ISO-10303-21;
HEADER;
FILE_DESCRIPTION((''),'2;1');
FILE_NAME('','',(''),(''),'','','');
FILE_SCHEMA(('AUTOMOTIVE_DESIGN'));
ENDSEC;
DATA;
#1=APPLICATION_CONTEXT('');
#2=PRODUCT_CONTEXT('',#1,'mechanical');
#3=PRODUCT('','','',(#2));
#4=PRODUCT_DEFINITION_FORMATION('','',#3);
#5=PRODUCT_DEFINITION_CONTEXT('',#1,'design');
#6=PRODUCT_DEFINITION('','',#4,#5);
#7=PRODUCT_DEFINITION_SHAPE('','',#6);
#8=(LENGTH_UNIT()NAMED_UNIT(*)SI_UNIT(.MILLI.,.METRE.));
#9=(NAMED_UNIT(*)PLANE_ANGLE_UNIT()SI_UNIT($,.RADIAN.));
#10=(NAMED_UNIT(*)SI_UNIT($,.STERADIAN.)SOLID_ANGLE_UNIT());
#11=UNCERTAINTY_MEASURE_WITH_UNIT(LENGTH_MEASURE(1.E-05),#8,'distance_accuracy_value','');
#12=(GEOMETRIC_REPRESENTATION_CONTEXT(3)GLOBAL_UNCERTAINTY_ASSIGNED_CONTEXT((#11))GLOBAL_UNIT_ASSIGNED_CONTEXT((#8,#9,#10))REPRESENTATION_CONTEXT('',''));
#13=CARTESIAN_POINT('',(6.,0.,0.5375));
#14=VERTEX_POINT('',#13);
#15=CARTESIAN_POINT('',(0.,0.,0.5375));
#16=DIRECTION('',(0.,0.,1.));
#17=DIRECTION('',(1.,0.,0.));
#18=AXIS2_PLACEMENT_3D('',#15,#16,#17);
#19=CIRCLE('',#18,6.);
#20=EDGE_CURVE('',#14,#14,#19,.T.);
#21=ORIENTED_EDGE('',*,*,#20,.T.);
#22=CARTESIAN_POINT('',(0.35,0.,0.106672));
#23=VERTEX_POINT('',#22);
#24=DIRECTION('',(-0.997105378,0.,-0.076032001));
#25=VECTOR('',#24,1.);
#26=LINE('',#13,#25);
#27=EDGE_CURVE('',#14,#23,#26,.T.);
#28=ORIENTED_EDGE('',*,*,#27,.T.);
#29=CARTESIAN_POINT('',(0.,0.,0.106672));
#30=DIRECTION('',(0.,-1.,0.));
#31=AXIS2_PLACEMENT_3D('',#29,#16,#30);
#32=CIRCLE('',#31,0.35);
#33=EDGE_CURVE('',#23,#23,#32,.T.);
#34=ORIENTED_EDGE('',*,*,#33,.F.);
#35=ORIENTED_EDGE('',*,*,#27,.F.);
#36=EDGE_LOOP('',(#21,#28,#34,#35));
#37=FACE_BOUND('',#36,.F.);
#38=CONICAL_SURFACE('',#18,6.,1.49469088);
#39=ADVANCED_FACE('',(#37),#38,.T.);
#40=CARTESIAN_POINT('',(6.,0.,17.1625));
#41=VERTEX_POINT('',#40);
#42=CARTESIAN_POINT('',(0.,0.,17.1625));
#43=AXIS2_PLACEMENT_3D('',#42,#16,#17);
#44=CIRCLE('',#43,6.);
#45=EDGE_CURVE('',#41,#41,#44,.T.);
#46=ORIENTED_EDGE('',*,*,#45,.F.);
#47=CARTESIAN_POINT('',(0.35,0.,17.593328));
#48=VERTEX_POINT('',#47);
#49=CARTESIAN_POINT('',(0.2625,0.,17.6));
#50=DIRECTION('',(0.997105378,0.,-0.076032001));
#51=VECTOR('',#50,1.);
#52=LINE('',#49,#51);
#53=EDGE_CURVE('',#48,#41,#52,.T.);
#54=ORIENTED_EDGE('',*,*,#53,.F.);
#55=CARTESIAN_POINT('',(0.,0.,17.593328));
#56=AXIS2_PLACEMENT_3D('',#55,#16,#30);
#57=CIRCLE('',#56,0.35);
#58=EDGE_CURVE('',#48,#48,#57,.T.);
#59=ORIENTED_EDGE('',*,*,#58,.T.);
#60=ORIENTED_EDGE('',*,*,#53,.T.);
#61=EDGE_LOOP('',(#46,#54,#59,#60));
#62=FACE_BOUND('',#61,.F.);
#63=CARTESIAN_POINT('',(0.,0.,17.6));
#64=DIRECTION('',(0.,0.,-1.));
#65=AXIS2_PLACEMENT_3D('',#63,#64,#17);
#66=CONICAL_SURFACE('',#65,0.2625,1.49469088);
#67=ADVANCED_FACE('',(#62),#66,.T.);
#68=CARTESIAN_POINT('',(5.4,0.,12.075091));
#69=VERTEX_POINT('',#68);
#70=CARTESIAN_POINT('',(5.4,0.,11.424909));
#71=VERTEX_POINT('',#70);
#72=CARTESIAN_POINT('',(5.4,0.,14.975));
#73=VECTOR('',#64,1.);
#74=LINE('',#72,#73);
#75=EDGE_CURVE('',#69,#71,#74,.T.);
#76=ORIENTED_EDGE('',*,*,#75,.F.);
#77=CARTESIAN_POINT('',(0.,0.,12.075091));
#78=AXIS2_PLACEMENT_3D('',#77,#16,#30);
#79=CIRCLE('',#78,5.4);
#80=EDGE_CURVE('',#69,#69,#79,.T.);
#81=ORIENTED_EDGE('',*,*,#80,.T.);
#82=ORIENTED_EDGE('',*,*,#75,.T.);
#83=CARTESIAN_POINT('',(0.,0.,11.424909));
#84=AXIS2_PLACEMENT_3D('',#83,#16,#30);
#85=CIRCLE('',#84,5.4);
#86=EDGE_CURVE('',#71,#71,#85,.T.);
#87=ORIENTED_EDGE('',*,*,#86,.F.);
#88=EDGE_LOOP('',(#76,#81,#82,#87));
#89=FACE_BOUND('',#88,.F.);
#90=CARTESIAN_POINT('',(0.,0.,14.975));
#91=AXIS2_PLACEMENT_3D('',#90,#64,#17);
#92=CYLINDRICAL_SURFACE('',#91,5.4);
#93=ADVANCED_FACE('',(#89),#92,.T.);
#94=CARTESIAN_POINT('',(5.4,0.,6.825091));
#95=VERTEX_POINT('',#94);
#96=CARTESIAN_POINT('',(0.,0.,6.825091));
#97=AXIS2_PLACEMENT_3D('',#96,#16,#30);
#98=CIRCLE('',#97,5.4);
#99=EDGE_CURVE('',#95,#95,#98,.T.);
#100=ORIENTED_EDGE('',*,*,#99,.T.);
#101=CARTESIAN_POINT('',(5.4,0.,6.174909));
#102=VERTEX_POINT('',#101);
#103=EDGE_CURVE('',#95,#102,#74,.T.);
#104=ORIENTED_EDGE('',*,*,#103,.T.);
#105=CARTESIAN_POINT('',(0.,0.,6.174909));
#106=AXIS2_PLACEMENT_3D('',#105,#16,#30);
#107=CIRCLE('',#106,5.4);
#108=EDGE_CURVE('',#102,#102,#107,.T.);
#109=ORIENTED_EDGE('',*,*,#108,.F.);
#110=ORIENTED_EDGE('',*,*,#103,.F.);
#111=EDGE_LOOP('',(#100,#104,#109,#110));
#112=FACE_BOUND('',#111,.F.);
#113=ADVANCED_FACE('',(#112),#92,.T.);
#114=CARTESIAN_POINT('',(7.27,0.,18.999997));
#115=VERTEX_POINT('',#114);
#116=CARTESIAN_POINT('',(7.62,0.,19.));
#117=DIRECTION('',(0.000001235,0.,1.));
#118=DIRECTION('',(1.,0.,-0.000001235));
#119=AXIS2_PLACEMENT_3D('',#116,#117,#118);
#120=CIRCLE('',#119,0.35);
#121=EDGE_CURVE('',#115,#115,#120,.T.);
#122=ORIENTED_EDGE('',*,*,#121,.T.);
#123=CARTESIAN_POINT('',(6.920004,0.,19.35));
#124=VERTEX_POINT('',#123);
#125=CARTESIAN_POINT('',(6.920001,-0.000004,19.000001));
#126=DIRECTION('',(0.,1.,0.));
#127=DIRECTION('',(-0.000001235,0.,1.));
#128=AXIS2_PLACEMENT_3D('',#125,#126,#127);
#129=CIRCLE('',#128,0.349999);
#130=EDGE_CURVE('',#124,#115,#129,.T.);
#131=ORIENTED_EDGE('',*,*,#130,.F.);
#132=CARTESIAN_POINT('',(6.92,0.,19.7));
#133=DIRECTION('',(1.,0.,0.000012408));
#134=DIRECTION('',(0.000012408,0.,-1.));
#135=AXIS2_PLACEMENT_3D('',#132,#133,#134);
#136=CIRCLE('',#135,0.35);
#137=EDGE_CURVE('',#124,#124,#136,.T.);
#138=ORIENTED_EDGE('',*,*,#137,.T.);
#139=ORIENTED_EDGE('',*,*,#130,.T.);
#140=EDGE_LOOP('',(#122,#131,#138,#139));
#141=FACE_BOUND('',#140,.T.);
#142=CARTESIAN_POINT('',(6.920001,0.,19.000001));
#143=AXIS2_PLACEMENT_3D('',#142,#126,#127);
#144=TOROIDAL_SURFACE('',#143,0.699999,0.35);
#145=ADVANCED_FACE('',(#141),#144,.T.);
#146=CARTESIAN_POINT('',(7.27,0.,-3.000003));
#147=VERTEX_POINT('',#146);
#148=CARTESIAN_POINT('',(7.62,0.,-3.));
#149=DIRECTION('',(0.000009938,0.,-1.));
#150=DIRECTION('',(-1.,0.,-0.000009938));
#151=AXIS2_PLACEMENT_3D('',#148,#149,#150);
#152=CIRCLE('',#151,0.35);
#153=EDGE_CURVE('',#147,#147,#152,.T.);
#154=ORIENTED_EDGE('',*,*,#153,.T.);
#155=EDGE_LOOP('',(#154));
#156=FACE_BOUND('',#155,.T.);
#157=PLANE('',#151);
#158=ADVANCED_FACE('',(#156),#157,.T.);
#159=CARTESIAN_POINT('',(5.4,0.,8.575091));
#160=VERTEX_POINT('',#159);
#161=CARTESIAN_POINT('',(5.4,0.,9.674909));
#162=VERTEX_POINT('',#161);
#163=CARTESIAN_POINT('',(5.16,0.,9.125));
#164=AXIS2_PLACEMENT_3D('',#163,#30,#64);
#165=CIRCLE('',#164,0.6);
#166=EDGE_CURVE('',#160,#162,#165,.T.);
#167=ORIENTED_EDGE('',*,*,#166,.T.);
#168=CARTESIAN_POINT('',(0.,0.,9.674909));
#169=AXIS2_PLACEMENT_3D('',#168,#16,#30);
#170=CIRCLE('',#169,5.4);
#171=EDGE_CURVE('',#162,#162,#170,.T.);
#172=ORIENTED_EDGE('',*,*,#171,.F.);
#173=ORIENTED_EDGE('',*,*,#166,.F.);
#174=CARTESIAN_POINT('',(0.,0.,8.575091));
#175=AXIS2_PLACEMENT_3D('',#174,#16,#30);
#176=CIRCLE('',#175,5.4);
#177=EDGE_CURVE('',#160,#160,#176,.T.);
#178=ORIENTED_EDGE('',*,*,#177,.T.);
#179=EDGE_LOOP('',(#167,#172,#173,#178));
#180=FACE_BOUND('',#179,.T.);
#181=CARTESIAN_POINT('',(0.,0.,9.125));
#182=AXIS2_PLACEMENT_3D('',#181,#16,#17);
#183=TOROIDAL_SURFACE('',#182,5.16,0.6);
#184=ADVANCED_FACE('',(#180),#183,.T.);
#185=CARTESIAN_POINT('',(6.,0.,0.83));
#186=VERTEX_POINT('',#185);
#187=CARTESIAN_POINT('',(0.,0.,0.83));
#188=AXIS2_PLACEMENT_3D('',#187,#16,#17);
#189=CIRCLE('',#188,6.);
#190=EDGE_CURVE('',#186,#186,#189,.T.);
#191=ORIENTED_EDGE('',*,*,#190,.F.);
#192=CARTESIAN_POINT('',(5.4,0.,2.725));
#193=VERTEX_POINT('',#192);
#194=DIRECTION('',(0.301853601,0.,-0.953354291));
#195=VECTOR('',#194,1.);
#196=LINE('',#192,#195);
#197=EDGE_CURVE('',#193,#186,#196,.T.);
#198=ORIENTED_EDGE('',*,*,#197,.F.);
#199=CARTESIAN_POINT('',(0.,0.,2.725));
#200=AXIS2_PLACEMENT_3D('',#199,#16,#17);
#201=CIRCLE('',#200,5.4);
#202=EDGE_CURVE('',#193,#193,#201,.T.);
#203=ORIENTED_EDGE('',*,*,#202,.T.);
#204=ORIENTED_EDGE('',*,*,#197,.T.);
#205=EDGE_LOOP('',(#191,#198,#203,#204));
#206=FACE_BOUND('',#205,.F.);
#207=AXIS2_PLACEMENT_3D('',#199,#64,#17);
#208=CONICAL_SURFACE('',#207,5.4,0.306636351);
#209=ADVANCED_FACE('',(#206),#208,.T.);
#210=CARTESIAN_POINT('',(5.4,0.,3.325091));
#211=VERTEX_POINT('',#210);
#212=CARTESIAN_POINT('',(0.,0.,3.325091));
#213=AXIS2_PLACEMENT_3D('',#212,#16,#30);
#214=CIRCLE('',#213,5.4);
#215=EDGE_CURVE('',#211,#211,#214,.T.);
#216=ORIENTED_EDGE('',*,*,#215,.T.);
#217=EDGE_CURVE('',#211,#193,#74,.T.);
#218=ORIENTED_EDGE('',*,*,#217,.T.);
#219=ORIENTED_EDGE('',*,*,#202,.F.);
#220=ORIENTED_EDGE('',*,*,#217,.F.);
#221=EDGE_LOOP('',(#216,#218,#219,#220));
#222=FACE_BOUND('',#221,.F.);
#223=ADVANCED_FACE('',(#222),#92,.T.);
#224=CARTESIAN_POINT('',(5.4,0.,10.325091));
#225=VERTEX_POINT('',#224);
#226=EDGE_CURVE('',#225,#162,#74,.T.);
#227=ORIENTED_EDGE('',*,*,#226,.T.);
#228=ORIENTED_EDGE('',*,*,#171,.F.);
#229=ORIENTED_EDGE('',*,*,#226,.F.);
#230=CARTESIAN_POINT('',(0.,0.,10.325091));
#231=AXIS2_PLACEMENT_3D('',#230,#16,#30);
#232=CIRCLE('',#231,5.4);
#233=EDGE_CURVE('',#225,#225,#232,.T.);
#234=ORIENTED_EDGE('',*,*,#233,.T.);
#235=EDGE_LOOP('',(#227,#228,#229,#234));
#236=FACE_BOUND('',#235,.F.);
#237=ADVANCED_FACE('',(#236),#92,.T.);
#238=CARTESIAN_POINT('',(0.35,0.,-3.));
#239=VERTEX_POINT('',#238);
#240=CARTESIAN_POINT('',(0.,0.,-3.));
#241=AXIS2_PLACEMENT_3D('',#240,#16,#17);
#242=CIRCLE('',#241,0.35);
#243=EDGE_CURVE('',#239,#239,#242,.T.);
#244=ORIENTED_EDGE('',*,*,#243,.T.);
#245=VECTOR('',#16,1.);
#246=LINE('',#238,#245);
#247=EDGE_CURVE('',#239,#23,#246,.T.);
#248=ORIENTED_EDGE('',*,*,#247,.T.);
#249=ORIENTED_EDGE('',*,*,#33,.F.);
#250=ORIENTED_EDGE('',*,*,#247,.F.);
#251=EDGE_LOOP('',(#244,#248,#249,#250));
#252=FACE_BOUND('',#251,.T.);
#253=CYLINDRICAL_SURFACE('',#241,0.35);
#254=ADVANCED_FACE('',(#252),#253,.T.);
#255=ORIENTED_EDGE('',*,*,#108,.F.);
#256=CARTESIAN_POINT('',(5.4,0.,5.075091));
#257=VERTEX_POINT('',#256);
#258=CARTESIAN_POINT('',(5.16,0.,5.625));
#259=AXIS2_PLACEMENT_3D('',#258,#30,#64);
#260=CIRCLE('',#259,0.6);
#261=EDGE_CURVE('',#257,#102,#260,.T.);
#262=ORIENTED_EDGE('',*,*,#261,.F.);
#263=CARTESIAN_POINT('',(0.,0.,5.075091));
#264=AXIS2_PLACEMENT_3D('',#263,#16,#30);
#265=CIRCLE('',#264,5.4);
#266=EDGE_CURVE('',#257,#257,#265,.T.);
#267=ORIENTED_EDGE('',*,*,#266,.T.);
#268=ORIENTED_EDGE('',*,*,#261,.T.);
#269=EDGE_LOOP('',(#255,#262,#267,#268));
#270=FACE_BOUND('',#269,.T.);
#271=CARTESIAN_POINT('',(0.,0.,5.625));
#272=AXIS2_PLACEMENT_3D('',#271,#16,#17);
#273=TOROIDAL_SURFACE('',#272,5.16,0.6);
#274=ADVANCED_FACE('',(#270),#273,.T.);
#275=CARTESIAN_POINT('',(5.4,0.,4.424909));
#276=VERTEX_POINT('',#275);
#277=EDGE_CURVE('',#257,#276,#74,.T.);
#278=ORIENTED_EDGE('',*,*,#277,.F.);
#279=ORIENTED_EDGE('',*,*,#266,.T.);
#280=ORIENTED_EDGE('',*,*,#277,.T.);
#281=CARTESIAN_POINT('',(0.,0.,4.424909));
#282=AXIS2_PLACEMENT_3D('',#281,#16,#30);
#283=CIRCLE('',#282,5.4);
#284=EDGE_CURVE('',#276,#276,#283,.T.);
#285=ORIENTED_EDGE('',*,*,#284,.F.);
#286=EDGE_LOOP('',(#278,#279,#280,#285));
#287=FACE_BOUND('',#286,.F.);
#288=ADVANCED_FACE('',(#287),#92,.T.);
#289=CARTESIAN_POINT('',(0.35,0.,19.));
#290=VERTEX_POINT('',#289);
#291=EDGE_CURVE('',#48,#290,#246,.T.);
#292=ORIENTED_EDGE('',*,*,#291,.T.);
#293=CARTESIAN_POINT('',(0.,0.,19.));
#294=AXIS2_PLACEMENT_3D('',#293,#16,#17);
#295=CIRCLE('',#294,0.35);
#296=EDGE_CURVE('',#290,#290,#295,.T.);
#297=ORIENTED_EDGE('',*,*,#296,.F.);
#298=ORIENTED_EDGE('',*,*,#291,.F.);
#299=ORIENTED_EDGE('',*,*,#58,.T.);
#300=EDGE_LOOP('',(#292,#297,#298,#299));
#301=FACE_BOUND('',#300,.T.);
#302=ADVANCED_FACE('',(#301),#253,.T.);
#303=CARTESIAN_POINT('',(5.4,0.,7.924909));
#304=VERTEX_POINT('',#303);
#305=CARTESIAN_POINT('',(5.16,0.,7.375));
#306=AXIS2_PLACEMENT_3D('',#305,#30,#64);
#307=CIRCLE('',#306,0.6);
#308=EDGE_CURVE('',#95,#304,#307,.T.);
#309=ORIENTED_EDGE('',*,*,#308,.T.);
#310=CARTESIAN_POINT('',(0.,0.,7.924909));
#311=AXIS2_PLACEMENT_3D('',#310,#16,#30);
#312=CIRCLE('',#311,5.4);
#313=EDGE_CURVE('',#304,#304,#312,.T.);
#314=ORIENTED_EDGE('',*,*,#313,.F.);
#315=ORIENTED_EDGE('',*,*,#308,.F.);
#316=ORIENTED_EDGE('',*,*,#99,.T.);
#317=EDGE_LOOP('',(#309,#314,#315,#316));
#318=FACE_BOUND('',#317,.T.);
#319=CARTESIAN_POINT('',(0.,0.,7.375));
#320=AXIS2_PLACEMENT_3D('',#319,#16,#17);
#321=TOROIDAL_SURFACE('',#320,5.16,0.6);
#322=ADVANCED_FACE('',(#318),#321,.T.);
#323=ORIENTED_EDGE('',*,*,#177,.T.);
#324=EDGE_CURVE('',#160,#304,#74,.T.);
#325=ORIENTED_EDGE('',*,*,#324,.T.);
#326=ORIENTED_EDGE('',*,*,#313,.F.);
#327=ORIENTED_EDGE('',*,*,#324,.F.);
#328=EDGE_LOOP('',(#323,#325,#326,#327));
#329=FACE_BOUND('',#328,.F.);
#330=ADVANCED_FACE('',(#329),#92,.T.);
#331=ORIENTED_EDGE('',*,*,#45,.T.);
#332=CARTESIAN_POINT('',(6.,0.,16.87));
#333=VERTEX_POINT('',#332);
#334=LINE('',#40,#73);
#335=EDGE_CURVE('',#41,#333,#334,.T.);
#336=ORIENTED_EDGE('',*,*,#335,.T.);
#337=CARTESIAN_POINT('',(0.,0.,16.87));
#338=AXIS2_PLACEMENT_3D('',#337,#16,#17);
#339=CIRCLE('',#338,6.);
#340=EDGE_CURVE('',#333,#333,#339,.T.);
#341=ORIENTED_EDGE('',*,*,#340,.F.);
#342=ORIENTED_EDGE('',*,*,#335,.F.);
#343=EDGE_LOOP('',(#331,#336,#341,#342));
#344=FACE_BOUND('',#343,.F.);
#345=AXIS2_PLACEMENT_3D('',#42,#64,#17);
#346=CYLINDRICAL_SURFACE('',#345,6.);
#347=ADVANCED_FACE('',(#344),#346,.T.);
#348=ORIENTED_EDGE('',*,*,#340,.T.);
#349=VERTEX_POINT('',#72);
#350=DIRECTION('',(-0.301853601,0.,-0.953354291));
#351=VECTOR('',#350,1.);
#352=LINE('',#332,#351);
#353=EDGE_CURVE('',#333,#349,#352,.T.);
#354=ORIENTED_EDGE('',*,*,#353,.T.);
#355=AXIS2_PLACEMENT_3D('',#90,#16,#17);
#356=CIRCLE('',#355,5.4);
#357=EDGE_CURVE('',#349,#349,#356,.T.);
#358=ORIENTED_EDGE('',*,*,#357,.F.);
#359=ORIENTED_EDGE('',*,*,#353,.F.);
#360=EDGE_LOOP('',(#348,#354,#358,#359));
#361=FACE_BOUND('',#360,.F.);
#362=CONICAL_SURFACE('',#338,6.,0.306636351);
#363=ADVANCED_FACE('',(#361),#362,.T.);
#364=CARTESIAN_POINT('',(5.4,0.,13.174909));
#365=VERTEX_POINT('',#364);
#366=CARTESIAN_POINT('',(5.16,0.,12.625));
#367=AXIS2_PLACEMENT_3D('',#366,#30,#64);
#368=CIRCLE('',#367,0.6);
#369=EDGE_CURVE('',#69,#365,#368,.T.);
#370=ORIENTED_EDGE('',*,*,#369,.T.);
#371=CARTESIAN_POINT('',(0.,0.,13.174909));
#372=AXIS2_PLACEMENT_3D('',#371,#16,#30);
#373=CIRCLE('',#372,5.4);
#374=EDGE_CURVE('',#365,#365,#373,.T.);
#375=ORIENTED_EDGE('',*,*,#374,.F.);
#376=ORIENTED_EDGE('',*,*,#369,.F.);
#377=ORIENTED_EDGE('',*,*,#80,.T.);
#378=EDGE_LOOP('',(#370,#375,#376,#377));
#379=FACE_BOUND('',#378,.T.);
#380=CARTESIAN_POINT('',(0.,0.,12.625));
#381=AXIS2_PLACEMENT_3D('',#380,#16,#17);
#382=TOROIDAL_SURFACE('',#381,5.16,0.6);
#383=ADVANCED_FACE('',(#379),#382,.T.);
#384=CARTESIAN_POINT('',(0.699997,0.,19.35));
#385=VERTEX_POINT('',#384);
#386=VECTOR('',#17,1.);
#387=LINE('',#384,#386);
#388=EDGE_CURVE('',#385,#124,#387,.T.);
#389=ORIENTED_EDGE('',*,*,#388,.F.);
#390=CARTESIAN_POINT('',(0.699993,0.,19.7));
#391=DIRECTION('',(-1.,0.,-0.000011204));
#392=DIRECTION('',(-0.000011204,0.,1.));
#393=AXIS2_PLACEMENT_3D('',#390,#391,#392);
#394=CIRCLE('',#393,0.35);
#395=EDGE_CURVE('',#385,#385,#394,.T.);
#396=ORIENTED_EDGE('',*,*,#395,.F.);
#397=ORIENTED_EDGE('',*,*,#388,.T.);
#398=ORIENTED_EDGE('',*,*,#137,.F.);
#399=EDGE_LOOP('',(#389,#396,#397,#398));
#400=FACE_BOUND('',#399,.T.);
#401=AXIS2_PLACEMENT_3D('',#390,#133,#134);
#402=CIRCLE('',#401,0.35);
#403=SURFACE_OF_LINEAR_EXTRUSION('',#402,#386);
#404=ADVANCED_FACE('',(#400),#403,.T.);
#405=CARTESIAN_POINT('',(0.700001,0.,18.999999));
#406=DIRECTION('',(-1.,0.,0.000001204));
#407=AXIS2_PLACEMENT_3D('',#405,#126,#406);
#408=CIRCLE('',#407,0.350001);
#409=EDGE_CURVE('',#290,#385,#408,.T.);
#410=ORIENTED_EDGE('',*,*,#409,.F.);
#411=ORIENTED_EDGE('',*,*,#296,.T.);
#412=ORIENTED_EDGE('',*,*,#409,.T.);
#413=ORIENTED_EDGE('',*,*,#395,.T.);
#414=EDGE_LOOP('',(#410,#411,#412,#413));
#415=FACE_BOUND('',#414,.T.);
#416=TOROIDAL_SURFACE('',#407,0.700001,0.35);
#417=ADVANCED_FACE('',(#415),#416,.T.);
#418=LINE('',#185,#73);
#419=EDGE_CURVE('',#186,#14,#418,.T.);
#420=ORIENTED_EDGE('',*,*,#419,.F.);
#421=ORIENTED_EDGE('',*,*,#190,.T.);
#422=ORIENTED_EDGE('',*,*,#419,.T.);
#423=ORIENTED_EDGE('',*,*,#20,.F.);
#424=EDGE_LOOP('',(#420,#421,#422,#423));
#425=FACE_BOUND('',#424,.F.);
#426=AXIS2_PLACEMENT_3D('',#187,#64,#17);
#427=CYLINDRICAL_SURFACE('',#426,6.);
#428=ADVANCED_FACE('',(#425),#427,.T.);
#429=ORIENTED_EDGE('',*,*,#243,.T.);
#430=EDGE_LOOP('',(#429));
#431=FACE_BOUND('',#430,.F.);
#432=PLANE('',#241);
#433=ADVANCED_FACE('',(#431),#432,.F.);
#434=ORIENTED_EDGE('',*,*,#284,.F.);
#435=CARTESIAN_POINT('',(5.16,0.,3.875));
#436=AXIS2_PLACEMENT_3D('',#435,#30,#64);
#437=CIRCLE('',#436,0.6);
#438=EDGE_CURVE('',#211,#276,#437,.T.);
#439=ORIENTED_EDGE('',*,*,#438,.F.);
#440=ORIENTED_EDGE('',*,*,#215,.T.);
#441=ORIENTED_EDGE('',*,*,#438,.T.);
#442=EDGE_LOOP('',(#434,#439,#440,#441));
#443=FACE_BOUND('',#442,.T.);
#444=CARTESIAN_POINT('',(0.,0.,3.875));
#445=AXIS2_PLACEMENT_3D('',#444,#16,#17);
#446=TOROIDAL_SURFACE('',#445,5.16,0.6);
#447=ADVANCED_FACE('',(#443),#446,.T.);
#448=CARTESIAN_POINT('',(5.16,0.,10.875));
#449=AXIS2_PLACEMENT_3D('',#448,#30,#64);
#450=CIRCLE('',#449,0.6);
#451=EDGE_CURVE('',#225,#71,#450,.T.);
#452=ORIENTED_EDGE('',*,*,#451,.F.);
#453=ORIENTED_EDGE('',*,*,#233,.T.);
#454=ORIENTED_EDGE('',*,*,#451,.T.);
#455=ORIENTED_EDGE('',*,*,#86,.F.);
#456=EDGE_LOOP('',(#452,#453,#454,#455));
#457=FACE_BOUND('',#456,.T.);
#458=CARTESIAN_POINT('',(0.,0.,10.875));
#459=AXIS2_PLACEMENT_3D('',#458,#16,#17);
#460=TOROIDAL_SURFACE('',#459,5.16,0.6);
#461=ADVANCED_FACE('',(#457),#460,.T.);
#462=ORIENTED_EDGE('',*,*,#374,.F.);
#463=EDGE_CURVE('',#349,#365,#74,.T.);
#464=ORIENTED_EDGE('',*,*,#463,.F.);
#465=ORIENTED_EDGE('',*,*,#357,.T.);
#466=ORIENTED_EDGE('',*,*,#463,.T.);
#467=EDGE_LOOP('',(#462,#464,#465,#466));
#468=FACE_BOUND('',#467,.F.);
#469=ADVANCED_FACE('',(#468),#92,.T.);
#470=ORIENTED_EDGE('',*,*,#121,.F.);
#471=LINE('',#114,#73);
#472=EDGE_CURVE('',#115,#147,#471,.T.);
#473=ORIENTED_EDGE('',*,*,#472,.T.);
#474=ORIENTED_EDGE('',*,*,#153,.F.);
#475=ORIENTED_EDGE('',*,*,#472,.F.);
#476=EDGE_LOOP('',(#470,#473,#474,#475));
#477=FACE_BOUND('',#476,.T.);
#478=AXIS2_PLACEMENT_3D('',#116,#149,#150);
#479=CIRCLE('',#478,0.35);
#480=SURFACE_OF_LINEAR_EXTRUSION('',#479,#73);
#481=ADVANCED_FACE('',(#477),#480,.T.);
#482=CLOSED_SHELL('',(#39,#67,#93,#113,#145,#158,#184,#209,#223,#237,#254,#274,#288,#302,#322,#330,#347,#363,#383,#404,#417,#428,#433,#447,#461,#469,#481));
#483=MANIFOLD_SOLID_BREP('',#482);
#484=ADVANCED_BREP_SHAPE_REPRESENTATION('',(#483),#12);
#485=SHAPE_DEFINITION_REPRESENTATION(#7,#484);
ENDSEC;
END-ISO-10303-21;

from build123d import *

# Parameters (mm, degrees)
SKETCH_R = 0.35


with BuildPart() as revolution:
    # Sketch002 → Revolution (revolve)
    with BuildSketch(Plane.XZ):
        Polygon((0, 0.1), (0, 17.6), (0.2625, 17.6), (6, 17.1625), (6, 16.87), (5.4, 14.975), (5.4, 2.725), (6, 0.83), (6, 0.5375), (0.2625, 0.1), align=None)
    revolve(axis=Axis((0, 0, 0), (0, 0, 1)))


with BuildPart() as revolution001:
    # Sketch003 → Revolution001 (revolve)
    with BuildSketch(Plane.XZ):
        with BuildLine():
            Line((4.8, 13.775), (4.8, 2.725))
            Line((4.8, 2.725), (5.16, 2.725))
            Line((5.16, 2.725), (5.16, 3.275))
            ThreePointArc((5.16, 3.275), (5.76, 3.875), (5.16, 4.475))
            Line((5.16, 4.475), (5.16, 5.025))
            ThreePointArc((5.16, 5.025), (5.76, 5.625), (5.16, 6.225))
            Line((5.16, 6.225), (5.16, 6.775))
            ThreePointArc((5.16, 6.775), (5.76, 7.375), (5.16, 7.975))
            Line((5.16, 7.975), (5.16, 8.525))
            ThreePointArc((5.16, 8.525), (5.76, 9.125), (5.16, 9.725))
            Line((5.16, 9.725), (5.16, 10.275))
            ThreePointArc((5.16, 10.275), (5.76, 10.875), (5.16, 11.475))
            Line((5.16, 11.475), (5.16, 12.025))
            ThreePointArc((5.16, 12.025), (5.76, 12.625), (5.16, 13.225))
            Line((5.16, 13.775), (5.16, 13.225))
            Line((4.8, 13.775), (5.16, 13.775))
        make_face()
    revolve(axis=Axis((0, 0, 0), (0, 0, 1)))


with BuildPart() as sweep_mp_cp:
    # Sweep: sweep along a path in Sketch001
    with BuildLine(Plane.XZ) as sweep_path:
        Line((0, -3), (0, 19))
        ThreePointArc((0, 19), (0.205023, 19.494972), (0.699993, 19.7))
        Line((0.699993, 19.7), (6.92, 19.7))
        ThreePointArc((6.92, 19.7), (7.414975, 19.494975), (7.62, 19))
        Line((7.62, 19), (7.62, -3))
    # Sketch → Sweep (sweep)
    with BuildSketch(Plane.XY.offset(-2)):
        Circle(SKETCH_R)
    sweep(path=sweep_path.line)

    # Sweep_mp_cp: union Revolution, Revolution001
    add(revolution.part)
    add(revolution001.part)


solid = sweep_mp_cp.part
